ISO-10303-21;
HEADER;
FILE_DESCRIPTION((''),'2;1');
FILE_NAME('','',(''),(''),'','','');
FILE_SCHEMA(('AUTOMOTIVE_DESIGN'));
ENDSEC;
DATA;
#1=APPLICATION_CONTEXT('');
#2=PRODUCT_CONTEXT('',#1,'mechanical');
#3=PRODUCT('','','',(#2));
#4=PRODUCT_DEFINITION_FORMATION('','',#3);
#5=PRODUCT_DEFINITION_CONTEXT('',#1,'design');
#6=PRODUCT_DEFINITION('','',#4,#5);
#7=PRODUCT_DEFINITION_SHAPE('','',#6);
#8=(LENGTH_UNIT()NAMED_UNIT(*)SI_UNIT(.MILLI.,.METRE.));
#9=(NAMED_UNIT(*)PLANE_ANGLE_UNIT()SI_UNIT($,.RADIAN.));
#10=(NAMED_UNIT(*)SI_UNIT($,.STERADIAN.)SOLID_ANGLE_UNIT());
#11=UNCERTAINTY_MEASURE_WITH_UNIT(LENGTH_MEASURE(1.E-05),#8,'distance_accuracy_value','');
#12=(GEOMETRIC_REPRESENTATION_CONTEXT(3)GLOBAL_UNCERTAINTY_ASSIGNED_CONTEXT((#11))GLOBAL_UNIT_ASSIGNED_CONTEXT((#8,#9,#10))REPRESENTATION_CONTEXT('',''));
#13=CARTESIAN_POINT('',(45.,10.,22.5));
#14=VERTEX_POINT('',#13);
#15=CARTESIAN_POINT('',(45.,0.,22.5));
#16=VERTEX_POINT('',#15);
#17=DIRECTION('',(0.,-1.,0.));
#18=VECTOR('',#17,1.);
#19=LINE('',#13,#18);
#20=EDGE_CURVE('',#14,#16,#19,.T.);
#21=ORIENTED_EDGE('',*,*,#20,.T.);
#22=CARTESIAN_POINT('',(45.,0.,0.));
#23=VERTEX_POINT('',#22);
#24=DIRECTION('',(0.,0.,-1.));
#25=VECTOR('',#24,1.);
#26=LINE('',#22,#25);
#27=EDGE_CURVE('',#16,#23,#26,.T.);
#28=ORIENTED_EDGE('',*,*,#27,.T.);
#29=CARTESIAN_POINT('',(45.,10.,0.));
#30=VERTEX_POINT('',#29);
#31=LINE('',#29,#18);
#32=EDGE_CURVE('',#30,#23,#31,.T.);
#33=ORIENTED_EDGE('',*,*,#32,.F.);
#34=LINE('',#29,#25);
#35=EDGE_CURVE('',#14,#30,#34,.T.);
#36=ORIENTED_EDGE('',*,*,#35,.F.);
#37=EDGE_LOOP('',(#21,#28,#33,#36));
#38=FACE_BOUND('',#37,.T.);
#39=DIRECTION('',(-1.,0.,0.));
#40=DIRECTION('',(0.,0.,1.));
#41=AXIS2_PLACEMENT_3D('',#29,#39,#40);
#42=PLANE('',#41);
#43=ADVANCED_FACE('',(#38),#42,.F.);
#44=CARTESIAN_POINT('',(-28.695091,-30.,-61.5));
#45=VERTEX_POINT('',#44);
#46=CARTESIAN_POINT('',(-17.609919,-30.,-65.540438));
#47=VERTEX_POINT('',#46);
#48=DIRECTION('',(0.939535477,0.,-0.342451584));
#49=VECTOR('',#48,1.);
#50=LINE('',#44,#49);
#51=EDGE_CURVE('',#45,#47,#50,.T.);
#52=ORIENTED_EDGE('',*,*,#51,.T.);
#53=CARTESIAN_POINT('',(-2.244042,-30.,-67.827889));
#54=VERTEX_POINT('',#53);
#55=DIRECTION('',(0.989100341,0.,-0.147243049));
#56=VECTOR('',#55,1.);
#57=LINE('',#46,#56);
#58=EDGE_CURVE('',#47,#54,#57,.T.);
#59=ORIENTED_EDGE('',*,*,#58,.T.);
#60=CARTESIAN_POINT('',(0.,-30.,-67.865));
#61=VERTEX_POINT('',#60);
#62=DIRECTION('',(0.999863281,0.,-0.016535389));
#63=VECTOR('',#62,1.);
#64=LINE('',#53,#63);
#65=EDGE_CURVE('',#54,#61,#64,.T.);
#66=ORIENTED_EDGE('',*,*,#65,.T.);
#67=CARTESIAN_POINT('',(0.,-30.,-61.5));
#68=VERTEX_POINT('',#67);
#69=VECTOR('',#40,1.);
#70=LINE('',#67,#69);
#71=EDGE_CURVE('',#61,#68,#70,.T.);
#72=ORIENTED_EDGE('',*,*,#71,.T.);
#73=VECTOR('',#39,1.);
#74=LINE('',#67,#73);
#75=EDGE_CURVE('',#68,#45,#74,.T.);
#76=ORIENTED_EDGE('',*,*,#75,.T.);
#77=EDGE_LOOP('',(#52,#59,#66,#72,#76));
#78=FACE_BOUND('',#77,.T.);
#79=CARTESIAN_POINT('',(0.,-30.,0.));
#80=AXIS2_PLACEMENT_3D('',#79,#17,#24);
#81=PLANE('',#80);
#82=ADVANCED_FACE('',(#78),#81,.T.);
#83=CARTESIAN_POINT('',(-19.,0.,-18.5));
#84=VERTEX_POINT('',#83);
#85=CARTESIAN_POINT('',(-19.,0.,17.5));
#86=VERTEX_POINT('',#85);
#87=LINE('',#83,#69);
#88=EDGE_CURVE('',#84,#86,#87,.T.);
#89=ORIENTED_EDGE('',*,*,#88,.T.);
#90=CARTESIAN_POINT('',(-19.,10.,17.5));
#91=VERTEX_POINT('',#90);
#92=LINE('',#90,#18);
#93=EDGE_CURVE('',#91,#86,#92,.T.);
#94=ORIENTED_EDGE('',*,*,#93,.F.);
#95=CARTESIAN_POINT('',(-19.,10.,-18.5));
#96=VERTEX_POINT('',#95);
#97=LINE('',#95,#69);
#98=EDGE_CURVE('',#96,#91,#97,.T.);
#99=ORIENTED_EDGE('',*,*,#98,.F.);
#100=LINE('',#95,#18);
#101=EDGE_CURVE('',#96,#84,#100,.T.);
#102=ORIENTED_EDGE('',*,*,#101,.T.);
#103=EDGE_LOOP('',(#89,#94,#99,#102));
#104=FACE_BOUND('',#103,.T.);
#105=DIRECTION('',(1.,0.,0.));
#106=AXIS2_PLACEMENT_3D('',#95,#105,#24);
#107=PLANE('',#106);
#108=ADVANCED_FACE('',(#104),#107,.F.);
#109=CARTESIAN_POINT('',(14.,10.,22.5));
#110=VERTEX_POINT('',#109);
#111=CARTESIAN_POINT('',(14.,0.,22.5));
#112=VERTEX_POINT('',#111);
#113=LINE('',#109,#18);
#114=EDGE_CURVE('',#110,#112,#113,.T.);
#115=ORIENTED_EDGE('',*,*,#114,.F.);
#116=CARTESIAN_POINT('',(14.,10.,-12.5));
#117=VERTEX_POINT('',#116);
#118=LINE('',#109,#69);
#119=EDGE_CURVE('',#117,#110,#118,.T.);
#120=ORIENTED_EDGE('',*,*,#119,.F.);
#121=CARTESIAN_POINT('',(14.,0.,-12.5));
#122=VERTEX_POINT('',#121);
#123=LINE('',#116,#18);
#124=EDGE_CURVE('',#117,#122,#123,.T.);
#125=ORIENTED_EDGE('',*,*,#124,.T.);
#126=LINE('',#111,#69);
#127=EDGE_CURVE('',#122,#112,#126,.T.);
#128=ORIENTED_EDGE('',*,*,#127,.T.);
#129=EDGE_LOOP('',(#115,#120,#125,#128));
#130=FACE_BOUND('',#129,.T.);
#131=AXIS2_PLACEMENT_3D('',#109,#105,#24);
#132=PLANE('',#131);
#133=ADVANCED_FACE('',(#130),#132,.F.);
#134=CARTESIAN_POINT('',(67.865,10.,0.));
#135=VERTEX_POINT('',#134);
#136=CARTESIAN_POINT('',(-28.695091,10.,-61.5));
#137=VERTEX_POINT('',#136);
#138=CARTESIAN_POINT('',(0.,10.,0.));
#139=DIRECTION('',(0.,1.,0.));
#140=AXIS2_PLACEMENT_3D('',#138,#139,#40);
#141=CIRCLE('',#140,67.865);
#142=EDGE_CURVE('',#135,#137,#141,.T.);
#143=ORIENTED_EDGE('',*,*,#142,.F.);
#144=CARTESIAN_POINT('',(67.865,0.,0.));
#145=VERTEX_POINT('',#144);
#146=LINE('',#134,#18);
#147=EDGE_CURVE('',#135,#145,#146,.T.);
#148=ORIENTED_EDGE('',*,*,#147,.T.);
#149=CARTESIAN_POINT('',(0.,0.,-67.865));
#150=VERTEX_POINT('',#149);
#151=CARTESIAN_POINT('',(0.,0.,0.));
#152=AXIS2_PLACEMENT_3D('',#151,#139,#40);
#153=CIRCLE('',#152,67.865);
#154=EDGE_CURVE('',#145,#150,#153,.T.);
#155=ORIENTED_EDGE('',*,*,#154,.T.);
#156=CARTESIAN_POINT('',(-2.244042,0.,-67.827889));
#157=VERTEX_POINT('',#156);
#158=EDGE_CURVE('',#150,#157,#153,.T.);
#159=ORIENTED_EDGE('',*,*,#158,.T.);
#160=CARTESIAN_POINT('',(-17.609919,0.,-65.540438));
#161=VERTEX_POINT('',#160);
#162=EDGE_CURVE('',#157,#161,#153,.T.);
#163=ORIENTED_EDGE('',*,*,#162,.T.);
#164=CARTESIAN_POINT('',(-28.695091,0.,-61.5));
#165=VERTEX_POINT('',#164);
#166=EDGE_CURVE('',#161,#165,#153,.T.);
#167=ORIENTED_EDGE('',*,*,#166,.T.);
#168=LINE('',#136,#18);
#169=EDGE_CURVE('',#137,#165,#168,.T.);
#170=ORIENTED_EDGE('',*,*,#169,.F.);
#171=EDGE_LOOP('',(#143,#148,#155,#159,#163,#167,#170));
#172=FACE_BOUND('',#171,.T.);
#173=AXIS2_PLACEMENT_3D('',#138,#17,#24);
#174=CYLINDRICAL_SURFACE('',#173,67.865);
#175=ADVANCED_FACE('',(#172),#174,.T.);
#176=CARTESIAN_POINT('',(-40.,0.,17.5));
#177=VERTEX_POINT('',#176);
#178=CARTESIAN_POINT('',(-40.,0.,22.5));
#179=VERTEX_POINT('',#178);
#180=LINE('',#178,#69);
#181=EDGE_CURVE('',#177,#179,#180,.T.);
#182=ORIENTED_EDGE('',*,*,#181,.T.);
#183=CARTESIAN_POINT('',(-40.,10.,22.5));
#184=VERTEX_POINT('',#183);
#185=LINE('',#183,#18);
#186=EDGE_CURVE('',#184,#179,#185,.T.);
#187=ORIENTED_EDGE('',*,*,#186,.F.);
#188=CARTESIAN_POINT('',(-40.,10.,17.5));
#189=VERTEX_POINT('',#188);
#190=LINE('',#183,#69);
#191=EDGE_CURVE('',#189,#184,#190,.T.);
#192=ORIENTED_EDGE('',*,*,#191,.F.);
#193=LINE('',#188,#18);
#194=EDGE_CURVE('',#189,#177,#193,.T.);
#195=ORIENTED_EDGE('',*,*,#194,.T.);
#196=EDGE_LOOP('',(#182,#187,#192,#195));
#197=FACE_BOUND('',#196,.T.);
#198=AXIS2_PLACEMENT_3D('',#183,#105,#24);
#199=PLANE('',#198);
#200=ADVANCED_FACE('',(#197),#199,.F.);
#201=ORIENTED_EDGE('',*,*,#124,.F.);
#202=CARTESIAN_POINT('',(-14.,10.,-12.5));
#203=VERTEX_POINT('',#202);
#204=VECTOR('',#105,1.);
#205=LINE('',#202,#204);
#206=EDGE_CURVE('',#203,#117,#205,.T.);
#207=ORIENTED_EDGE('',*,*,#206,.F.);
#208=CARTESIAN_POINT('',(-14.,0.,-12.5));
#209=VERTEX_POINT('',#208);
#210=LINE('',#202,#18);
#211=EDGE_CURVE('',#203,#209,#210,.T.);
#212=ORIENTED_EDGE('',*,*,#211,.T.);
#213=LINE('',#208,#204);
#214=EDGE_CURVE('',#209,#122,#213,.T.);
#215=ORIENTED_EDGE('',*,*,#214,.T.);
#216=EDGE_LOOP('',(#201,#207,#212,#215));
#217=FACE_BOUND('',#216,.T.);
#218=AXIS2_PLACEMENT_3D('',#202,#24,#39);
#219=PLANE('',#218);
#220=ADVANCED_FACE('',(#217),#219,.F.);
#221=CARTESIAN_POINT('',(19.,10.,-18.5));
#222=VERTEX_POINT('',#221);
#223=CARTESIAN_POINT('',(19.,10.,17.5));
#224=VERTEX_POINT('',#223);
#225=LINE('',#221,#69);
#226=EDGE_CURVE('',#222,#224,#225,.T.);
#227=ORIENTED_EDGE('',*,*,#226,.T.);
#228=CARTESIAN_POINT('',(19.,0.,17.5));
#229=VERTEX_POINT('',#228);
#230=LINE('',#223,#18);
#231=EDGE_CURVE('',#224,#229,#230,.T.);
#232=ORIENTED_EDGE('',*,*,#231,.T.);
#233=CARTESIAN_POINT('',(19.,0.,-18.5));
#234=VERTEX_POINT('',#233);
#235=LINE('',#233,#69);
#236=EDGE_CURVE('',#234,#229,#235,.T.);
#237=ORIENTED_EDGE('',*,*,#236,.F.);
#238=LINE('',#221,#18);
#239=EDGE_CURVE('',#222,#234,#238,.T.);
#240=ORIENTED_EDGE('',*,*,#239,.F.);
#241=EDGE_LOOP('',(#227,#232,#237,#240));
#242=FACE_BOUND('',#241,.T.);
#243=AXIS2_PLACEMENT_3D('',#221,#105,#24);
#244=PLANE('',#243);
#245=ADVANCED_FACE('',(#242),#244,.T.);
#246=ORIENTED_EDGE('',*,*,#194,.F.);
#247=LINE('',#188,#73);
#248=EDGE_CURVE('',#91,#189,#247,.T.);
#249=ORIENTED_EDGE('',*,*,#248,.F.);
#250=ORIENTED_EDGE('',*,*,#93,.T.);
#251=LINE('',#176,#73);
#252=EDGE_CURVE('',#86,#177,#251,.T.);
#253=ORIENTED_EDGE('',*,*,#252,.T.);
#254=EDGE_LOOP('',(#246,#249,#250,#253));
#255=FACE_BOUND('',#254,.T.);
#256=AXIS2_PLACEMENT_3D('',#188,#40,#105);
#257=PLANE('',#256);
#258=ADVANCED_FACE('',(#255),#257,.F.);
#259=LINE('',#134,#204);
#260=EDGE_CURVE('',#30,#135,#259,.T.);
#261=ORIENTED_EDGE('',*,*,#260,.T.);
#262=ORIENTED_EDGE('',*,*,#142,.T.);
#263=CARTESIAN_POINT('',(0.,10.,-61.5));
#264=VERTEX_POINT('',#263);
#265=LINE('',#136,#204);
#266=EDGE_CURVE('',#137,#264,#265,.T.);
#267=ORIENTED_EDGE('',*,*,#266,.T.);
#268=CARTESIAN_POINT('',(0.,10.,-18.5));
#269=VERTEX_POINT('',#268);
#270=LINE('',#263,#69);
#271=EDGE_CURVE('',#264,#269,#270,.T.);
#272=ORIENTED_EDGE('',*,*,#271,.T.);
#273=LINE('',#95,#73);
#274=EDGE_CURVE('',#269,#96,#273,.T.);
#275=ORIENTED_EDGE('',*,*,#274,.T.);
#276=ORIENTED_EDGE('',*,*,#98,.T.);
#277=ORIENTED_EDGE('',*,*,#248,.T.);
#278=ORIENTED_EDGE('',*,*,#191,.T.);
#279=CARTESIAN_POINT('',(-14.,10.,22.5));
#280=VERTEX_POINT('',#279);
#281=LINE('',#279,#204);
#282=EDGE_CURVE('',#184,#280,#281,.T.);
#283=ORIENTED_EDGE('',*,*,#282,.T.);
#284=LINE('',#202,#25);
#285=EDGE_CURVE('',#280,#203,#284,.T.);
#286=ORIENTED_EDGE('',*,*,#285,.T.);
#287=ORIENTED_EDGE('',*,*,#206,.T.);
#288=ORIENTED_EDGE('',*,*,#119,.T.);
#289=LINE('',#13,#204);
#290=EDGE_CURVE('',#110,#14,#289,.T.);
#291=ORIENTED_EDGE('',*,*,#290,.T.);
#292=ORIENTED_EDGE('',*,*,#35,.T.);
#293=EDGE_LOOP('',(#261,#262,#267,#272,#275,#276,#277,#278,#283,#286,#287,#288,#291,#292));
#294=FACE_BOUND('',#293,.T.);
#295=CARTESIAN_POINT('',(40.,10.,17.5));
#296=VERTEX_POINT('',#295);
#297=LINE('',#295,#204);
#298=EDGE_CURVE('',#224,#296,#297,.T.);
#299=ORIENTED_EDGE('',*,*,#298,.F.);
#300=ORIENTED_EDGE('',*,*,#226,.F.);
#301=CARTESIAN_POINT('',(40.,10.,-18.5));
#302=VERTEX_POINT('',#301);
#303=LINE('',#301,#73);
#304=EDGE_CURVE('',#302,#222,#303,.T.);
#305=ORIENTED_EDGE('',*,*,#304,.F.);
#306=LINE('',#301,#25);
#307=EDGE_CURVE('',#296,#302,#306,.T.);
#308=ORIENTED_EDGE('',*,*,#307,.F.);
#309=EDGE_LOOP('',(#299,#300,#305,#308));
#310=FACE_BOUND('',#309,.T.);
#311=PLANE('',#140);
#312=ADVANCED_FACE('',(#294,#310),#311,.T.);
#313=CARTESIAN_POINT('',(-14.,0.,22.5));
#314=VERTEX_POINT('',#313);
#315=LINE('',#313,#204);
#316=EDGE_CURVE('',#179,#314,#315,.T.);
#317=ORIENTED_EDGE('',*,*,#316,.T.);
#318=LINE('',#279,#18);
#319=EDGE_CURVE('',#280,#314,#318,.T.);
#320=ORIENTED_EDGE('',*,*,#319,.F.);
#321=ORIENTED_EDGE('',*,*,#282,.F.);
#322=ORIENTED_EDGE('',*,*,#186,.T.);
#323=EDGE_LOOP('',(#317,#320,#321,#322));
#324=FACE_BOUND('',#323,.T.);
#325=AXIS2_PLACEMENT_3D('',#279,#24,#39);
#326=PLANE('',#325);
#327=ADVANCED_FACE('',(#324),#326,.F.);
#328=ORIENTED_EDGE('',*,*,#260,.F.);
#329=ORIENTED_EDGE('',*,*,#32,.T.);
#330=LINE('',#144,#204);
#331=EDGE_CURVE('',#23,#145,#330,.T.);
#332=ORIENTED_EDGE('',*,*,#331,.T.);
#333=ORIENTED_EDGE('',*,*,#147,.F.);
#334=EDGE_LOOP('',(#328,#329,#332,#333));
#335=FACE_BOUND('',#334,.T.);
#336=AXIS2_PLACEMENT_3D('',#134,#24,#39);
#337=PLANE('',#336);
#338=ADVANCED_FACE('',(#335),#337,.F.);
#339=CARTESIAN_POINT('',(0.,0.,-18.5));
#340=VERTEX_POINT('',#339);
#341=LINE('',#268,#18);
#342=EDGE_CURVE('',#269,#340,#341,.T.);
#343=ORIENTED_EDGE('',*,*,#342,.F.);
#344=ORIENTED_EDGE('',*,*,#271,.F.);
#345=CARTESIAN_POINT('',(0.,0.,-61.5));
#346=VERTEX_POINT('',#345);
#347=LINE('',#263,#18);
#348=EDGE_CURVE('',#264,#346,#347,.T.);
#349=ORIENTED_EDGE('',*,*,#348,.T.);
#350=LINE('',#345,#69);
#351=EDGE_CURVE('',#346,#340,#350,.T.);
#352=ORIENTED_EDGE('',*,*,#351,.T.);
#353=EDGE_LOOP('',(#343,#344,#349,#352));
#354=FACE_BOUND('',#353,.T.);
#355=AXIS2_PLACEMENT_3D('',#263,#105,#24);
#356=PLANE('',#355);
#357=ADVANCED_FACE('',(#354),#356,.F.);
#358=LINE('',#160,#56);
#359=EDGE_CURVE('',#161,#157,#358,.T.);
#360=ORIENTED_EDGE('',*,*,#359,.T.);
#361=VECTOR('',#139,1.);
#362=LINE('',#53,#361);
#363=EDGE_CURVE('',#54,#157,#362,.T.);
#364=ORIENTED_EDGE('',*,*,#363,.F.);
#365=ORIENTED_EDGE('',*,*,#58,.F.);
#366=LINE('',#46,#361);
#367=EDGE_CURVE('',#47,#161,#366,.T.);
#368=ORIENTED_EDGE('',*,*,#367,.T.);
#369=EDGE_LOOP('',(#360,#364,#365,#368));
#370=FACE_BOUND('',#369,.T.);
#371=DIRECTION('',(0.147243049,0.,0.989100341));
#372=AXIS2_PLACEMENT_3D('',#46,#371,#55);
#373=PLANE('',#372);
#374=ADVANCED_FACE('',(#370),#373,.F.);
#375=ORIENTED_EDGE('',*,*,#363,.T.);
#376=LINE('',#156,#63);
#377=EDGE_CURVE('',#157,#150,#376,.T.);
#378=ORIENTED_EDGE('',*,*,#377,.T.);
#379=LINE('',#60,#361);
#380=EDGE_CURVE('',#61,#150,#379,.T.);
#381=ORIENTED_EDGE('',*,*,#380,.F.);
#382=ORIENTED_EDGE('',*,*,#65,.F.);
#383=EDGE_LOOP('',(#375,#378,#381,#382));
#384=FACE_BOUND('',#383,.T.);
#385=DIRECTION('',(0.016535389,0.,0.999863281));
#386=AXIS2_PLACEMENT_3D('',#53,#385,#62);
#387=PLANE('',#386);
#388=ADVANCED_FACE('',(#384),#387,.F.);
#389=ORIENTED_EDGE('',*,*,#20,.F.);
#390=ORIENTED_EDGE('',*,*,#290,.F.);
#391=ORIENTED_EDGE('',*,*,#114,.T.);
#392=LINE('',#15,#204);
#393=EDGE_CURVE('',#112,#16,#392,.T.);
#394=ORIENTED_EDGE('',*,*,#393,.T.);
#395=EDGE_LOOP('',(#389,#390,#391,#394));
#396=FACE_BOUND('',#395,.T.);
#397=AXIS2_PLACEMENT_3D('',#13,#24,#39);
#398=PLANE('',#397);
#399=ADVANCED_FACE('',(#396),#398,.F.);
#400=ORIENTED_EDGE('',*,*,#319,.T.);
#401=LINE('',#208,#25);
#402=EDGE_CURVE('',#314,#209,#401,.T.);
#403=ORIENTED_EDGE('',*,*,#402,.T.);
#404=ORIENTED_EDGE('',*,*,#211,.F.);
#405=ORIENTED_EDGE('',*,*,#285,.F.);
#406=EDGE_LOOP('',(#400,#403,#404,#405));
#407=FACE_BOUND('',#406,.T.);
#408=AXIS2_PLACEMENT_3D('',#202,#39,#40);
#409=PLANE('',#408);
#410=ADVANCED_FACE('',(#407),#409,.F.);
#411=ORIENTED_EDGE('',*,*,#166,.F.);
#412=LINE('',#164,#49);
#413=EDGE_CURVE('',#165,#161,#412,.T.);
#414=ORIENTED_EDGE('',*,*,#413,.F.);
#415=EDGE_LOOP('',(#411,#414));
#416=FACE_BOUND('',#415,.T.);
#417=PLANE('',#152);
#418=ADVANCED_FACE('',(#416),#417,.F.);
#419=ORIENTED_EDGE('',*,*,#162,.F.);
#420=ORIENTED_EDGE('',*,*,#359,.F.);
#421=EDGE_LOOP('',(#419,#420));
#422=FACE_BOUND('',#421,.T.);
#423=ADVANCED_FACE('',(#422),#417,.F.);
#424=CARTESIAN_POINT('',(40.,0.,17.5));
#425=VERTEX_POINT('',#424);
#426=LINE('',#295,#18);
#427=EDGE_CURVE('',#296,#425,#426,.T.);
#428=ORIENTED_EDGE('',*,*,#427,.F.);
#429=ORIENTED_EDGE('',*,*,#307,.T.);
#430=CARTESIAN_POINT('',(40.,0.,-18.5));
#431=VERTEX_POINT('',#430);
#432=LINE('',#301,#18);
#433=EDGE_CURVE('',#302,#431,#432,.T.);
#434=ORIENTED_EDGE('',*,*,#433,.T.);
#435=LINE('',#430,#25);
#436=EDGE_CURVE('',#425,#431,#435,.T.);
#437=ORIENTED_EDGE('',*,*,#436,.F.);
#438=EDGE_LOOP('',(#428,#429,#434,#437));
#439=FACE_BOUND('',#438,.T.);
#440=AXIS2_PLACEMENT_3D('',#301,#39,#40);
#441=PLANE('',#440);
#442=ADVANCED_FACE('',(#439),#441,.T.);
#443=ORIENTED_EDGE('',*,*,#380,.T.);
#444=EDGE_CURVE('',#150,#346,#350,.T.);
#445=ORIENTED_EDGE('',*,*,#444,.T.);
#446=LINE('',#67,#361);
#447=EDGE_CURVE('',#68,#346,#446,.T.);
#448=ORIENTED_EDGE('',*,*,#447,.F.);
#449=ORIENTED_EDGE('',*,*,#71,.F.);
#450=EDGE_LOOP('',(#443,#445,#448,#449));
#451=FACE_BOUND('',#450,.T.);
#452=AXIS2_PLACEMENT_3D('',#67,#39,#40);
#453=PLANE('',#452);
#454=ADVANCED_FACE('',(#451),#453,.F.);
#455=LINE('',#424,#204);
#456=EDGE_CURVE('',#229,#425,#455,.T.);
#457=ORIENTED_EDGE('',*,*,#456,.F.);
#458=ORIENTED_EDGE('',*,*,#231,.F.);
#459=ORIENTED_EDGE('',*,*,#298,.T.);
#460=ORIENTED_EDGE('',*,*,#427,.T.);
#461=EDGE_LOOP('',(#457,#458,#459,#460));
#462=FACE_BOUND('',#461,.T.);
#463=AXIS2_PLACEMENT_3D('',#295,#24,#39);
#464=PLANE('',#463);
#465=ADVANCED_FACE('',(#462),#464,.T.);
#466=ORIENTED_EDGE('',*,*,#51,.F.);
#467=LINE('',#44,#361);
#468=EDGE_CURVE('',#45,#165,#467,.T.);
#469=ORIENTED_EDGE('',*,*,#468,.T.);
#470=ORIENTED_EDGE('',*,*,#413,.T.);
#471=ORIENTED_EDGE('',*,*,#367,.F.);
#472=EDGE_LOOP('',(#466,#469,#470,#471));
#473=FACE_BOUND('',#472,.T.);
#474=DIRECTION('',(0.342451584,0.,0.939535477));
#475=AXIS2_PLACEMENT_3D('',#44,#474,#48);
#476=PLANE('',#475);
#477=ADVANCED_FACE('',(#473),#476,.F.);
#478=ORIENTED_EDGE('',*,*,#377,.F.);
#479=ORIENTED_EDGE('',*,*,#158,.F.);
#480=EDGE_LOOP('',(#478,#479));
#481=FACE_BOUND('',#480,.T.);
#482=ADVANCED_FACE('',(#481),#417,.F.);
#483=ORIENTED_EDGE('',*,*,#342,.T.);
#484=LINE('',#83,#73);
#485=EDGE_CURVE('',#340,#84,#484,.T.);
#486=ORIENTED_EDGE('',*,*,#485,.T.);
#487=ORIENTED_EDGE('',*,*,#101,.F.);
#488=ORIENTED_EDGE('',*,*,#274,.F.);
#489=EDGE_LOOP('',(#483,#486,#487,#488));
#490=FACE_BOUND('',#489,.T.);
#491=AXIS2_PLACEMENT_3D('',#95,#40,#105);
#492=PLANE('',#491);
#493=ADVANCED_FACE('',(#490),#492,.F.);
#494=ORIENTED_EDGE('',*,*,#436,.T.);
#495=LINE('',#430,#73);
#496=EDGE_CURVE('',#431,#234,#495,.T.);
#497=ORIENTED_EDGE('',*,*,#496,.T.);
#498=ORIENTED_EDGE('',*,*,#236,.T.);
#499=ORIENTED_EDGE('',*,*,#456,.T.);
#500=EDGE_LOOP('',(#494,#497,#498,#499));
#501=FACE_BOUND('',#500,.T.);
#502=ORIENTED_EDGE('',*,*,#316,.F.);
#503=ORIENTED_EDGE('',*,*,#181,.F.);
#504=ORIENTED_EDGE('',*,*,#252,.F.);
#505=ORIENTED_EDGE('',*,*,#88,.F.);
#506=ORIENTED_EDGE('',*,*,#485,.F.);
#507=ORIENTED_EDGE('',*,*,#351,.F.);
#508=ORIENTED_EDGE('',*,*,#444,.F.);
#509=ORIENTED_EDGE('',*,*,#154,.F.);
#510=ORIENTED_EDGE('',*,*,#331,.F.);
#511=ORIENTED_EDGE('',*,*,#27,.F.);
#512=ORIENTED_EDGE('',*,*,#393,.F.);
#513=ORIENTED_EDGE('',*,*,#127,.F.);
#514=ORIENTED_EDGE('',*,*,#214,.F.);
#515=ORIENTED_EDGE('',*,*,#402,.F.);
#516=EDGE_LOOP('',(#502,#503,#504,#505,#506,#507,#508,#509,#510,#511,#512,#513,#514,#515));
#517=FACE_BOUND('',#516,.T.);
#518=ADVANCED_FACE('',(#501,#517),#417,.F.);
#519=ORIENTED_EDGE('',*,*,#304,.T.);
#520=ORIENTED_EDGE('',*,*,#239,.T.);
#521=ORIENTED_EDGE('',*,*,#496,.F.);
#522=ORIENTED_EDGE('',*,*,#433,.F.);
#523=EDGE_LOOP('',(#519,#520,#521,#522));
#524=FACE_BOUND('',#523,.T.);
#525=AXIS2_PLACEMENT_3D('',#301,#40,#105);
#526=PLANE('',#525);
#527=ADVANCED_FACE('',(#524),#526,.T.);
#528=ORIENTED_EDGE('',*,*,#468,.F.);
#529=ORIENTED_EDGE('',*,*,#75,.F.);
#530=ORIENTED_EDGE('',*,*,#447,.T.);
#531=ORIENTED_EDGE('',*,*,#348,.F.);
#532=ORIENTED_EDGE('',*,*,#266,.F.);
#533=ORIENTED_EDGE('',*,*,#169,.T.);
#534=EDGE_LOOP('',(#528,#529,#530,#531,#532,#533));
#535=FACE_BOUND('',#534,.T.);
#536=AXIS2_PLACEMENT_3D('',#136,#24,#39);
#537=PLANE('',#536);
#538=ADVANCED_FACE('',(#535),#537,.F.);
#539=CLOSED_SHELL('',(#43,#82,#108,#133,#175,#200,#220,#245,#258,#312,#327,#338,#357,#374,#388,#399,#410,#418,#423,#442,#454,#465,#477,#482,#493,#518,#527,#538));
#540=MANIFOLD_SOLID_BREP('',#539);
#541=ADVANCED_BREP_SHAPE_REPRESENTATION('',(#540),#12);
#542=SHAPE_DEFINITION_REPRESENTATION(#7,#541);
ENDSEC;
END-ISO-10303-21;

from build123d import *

# Parameters (mm, degrees)
SKETCH2_W           = 21
SKETCH2_H           = 36
BOSS_EXTRUDE1_DEPTH = 10
BOSS_EXTRUDE2_DEPTH = 30


with BuildPart() as part:
    # Sketch2 → Boss-Extrude1 (new body)
    with BuildSketch(Plane(origin=(0, 0, 0), x_dir=(1, 0, 0), z_dir=(0, 1, 0))):
        with BuildLine():
            Line((67.865, 0), (45, 0))
            Line((45, 0), (45, -22.5))
            Line((45, -22.5), (14, -22.5))
            Line((14, -22.5), (14, 12.5))
            Line((14, 12.5), (-14, 12.5))
            Line((-14, 12.5), (-14, -22.5))
            Line((-14, -22.5), (-40, -22.5))
            Line((-40, -22.5), (-40, -17.5))
            Line((-40, -17.5), (-19, -17.5))
            Line((-19, -17.5), (-19, 18.5))
            Line((-19, 18.5), (0, 18.5))
            Line((0, 18.5), (0, 61.5))
            Line((0, 61.5), (-28.695090608, 61.5))
            ThreePointArc((-28.695090608, 61.5), (36.457275686, 57.240940546), (67.865, 0))
        make_face()
        with Locations((29.5, 0.5)):
            Rectangle(SKETCH2_W, SKETCH2_H, mode=Mode.SUBTRACT)
    extrude(amount=BOSS_EXTRUDE1_DEPTH)

    # Sketch3 → Boss-Extrude2 (add)
    with BuildSketch(Plane.XZ):
        Polygon((0, -61.5), (0, -67.865), (-2.244041558, -67.827888825), (-17.609918894, -65.540437758), (-28.695090608, -61.5), align=None)
    extrude(amount=BOSS_EXTRUDE2_DEPTH)


solid = part.part
